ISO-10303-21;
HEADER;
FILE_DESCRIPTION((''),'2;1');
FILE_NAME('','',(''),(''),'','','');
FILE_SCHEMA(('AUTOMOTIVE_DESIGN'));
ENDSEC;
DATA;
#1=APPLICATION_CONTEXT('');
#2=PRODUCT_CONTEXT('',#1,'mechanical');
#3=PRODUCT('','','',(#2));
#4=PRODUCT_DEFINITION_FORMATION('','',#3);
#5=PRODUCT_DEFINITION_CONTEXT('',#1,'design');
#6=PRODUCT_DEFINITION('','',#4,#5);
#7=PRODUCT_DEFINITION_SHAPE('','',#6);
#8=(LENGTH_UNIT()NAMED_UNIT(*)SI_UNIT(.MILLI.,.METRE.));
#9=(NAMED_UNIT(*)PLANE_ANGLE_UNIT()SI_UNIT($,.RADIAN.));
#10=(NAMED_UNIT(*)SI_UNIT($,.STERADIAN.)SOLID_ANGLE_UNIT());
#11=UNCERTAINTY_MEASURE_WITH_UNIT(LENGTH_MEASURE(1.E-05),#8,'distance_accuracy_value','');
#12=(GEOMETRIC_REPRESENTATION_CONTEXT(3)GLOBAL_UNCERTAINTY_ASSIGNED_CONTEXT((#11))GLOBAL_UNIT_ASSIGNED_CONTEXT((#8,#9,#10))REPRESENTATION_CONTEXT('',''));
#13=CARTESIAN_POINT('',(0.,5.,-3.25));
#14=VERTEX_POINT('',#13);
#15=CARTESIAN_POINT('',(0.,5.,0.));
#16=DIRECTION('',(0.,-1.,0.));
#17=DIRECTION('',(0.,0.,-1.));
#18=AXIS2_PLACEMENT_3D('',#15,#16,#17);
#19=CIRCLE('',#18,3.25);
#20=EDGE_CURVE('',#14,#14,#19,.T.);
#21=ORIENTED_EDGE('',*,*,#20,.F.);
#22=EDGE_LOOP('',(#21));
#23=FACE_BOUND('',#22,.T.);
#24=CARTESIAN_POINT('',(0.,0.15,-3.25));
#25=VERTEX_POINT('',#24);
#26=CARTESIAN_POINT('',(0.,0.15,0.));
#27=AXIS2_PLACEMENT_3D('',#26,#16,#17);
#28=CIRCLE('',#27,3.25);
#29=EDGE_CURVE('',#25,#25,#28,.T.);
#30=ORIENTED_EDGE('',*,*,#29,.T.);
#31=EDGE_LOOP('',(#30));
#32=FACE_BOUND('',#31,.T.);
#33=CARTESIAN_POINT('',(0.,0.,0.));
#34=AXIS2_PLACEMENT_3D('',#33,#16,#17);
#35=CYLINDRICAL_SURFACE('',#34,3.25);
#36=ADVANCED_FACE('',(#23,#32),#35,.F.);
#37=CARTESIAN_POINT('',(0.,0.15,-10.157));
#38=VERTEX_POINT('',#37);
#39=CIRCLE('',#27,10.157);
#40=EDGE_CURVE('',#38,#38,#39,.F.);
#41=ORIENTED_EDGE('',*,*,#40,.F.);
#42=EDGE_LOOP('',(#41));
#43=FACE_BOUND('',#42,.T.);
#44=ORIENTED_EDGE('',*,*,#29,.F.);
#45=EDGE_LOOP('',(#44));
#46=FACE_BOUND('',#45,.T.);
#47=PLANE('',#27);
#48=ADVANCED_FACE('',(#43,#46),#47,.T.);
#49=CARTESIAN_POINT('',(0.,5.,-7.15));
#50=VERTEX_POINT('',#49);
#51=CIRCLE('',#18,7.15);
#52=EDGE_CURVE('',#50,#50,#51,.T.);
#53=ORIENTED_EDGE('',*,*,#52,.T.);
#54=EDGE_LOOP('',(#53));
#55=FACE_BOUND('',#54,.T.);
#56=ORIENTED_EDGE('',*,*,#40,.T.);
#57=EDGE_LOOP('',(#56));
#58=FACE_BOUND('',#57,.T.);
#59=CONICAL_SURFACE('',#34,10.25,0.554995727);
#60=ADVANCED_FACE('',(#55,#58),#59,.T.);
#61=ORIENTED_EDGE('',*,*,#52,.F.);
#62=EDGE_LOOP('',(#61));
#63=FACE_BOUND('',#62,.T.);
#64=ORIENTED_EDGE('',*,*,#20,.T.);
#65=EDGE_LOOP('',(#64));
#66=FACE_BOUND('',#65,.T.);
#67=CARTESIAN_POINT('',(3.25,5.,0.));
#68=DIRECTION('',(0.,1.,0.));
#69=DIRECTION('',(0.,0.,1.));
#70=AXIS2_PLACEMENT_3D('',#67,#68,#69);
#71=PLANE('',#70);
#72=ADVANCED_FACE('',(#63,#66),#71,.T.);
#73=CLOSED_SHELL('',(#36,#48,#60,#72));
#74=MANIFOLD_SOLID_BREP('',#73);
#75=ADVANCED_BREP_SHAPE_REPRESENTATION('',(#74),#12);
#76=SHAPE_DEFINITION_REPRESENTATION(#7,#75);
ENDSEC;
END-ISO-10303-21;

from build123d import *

# Parameters (mm, degrees)
CUT_EXTRUDE_START   = -0.15
SKETCH_2_R          = 10.25
SKETCH_2_R_2        = 3.25
CUT_EXTRUDE_1_DEPTH = 0.15


with BuildPart() as part:
    # 草图1 → 旋转1 (revolve)
    with BuildSketch(Plane.XY, mode=Mode.PRIVATE) as revolve_1_sk:
        Polygon((3.25, 0), (3.25, 5), (7.15, 5), (10.25, 0), align=None)
    revolve(revolve_1_sk.sketch.rotate(Axis((0, 0, 0), (0, 1, 0)), 90), axis=Axis((0, 0, 0), (0, 1, 0)))

    # 草图2 → 切除-拉伸1 (cut)
    with BuildSketch(Plane.XZ.offset(CUT_EXTRUDE_START)):
        Circle(SKETCH_2_R)
        with Locations(Location((0, 0, 0), (0, 0, 270))):
            Circle(SKETCH_2_R_2, mode=Mode.SUBTRACT)
    extrude(amount=CUT_EXTRUDE_1_DEPTH, mode=Mode.SUBTRACT)


solid = part.part
